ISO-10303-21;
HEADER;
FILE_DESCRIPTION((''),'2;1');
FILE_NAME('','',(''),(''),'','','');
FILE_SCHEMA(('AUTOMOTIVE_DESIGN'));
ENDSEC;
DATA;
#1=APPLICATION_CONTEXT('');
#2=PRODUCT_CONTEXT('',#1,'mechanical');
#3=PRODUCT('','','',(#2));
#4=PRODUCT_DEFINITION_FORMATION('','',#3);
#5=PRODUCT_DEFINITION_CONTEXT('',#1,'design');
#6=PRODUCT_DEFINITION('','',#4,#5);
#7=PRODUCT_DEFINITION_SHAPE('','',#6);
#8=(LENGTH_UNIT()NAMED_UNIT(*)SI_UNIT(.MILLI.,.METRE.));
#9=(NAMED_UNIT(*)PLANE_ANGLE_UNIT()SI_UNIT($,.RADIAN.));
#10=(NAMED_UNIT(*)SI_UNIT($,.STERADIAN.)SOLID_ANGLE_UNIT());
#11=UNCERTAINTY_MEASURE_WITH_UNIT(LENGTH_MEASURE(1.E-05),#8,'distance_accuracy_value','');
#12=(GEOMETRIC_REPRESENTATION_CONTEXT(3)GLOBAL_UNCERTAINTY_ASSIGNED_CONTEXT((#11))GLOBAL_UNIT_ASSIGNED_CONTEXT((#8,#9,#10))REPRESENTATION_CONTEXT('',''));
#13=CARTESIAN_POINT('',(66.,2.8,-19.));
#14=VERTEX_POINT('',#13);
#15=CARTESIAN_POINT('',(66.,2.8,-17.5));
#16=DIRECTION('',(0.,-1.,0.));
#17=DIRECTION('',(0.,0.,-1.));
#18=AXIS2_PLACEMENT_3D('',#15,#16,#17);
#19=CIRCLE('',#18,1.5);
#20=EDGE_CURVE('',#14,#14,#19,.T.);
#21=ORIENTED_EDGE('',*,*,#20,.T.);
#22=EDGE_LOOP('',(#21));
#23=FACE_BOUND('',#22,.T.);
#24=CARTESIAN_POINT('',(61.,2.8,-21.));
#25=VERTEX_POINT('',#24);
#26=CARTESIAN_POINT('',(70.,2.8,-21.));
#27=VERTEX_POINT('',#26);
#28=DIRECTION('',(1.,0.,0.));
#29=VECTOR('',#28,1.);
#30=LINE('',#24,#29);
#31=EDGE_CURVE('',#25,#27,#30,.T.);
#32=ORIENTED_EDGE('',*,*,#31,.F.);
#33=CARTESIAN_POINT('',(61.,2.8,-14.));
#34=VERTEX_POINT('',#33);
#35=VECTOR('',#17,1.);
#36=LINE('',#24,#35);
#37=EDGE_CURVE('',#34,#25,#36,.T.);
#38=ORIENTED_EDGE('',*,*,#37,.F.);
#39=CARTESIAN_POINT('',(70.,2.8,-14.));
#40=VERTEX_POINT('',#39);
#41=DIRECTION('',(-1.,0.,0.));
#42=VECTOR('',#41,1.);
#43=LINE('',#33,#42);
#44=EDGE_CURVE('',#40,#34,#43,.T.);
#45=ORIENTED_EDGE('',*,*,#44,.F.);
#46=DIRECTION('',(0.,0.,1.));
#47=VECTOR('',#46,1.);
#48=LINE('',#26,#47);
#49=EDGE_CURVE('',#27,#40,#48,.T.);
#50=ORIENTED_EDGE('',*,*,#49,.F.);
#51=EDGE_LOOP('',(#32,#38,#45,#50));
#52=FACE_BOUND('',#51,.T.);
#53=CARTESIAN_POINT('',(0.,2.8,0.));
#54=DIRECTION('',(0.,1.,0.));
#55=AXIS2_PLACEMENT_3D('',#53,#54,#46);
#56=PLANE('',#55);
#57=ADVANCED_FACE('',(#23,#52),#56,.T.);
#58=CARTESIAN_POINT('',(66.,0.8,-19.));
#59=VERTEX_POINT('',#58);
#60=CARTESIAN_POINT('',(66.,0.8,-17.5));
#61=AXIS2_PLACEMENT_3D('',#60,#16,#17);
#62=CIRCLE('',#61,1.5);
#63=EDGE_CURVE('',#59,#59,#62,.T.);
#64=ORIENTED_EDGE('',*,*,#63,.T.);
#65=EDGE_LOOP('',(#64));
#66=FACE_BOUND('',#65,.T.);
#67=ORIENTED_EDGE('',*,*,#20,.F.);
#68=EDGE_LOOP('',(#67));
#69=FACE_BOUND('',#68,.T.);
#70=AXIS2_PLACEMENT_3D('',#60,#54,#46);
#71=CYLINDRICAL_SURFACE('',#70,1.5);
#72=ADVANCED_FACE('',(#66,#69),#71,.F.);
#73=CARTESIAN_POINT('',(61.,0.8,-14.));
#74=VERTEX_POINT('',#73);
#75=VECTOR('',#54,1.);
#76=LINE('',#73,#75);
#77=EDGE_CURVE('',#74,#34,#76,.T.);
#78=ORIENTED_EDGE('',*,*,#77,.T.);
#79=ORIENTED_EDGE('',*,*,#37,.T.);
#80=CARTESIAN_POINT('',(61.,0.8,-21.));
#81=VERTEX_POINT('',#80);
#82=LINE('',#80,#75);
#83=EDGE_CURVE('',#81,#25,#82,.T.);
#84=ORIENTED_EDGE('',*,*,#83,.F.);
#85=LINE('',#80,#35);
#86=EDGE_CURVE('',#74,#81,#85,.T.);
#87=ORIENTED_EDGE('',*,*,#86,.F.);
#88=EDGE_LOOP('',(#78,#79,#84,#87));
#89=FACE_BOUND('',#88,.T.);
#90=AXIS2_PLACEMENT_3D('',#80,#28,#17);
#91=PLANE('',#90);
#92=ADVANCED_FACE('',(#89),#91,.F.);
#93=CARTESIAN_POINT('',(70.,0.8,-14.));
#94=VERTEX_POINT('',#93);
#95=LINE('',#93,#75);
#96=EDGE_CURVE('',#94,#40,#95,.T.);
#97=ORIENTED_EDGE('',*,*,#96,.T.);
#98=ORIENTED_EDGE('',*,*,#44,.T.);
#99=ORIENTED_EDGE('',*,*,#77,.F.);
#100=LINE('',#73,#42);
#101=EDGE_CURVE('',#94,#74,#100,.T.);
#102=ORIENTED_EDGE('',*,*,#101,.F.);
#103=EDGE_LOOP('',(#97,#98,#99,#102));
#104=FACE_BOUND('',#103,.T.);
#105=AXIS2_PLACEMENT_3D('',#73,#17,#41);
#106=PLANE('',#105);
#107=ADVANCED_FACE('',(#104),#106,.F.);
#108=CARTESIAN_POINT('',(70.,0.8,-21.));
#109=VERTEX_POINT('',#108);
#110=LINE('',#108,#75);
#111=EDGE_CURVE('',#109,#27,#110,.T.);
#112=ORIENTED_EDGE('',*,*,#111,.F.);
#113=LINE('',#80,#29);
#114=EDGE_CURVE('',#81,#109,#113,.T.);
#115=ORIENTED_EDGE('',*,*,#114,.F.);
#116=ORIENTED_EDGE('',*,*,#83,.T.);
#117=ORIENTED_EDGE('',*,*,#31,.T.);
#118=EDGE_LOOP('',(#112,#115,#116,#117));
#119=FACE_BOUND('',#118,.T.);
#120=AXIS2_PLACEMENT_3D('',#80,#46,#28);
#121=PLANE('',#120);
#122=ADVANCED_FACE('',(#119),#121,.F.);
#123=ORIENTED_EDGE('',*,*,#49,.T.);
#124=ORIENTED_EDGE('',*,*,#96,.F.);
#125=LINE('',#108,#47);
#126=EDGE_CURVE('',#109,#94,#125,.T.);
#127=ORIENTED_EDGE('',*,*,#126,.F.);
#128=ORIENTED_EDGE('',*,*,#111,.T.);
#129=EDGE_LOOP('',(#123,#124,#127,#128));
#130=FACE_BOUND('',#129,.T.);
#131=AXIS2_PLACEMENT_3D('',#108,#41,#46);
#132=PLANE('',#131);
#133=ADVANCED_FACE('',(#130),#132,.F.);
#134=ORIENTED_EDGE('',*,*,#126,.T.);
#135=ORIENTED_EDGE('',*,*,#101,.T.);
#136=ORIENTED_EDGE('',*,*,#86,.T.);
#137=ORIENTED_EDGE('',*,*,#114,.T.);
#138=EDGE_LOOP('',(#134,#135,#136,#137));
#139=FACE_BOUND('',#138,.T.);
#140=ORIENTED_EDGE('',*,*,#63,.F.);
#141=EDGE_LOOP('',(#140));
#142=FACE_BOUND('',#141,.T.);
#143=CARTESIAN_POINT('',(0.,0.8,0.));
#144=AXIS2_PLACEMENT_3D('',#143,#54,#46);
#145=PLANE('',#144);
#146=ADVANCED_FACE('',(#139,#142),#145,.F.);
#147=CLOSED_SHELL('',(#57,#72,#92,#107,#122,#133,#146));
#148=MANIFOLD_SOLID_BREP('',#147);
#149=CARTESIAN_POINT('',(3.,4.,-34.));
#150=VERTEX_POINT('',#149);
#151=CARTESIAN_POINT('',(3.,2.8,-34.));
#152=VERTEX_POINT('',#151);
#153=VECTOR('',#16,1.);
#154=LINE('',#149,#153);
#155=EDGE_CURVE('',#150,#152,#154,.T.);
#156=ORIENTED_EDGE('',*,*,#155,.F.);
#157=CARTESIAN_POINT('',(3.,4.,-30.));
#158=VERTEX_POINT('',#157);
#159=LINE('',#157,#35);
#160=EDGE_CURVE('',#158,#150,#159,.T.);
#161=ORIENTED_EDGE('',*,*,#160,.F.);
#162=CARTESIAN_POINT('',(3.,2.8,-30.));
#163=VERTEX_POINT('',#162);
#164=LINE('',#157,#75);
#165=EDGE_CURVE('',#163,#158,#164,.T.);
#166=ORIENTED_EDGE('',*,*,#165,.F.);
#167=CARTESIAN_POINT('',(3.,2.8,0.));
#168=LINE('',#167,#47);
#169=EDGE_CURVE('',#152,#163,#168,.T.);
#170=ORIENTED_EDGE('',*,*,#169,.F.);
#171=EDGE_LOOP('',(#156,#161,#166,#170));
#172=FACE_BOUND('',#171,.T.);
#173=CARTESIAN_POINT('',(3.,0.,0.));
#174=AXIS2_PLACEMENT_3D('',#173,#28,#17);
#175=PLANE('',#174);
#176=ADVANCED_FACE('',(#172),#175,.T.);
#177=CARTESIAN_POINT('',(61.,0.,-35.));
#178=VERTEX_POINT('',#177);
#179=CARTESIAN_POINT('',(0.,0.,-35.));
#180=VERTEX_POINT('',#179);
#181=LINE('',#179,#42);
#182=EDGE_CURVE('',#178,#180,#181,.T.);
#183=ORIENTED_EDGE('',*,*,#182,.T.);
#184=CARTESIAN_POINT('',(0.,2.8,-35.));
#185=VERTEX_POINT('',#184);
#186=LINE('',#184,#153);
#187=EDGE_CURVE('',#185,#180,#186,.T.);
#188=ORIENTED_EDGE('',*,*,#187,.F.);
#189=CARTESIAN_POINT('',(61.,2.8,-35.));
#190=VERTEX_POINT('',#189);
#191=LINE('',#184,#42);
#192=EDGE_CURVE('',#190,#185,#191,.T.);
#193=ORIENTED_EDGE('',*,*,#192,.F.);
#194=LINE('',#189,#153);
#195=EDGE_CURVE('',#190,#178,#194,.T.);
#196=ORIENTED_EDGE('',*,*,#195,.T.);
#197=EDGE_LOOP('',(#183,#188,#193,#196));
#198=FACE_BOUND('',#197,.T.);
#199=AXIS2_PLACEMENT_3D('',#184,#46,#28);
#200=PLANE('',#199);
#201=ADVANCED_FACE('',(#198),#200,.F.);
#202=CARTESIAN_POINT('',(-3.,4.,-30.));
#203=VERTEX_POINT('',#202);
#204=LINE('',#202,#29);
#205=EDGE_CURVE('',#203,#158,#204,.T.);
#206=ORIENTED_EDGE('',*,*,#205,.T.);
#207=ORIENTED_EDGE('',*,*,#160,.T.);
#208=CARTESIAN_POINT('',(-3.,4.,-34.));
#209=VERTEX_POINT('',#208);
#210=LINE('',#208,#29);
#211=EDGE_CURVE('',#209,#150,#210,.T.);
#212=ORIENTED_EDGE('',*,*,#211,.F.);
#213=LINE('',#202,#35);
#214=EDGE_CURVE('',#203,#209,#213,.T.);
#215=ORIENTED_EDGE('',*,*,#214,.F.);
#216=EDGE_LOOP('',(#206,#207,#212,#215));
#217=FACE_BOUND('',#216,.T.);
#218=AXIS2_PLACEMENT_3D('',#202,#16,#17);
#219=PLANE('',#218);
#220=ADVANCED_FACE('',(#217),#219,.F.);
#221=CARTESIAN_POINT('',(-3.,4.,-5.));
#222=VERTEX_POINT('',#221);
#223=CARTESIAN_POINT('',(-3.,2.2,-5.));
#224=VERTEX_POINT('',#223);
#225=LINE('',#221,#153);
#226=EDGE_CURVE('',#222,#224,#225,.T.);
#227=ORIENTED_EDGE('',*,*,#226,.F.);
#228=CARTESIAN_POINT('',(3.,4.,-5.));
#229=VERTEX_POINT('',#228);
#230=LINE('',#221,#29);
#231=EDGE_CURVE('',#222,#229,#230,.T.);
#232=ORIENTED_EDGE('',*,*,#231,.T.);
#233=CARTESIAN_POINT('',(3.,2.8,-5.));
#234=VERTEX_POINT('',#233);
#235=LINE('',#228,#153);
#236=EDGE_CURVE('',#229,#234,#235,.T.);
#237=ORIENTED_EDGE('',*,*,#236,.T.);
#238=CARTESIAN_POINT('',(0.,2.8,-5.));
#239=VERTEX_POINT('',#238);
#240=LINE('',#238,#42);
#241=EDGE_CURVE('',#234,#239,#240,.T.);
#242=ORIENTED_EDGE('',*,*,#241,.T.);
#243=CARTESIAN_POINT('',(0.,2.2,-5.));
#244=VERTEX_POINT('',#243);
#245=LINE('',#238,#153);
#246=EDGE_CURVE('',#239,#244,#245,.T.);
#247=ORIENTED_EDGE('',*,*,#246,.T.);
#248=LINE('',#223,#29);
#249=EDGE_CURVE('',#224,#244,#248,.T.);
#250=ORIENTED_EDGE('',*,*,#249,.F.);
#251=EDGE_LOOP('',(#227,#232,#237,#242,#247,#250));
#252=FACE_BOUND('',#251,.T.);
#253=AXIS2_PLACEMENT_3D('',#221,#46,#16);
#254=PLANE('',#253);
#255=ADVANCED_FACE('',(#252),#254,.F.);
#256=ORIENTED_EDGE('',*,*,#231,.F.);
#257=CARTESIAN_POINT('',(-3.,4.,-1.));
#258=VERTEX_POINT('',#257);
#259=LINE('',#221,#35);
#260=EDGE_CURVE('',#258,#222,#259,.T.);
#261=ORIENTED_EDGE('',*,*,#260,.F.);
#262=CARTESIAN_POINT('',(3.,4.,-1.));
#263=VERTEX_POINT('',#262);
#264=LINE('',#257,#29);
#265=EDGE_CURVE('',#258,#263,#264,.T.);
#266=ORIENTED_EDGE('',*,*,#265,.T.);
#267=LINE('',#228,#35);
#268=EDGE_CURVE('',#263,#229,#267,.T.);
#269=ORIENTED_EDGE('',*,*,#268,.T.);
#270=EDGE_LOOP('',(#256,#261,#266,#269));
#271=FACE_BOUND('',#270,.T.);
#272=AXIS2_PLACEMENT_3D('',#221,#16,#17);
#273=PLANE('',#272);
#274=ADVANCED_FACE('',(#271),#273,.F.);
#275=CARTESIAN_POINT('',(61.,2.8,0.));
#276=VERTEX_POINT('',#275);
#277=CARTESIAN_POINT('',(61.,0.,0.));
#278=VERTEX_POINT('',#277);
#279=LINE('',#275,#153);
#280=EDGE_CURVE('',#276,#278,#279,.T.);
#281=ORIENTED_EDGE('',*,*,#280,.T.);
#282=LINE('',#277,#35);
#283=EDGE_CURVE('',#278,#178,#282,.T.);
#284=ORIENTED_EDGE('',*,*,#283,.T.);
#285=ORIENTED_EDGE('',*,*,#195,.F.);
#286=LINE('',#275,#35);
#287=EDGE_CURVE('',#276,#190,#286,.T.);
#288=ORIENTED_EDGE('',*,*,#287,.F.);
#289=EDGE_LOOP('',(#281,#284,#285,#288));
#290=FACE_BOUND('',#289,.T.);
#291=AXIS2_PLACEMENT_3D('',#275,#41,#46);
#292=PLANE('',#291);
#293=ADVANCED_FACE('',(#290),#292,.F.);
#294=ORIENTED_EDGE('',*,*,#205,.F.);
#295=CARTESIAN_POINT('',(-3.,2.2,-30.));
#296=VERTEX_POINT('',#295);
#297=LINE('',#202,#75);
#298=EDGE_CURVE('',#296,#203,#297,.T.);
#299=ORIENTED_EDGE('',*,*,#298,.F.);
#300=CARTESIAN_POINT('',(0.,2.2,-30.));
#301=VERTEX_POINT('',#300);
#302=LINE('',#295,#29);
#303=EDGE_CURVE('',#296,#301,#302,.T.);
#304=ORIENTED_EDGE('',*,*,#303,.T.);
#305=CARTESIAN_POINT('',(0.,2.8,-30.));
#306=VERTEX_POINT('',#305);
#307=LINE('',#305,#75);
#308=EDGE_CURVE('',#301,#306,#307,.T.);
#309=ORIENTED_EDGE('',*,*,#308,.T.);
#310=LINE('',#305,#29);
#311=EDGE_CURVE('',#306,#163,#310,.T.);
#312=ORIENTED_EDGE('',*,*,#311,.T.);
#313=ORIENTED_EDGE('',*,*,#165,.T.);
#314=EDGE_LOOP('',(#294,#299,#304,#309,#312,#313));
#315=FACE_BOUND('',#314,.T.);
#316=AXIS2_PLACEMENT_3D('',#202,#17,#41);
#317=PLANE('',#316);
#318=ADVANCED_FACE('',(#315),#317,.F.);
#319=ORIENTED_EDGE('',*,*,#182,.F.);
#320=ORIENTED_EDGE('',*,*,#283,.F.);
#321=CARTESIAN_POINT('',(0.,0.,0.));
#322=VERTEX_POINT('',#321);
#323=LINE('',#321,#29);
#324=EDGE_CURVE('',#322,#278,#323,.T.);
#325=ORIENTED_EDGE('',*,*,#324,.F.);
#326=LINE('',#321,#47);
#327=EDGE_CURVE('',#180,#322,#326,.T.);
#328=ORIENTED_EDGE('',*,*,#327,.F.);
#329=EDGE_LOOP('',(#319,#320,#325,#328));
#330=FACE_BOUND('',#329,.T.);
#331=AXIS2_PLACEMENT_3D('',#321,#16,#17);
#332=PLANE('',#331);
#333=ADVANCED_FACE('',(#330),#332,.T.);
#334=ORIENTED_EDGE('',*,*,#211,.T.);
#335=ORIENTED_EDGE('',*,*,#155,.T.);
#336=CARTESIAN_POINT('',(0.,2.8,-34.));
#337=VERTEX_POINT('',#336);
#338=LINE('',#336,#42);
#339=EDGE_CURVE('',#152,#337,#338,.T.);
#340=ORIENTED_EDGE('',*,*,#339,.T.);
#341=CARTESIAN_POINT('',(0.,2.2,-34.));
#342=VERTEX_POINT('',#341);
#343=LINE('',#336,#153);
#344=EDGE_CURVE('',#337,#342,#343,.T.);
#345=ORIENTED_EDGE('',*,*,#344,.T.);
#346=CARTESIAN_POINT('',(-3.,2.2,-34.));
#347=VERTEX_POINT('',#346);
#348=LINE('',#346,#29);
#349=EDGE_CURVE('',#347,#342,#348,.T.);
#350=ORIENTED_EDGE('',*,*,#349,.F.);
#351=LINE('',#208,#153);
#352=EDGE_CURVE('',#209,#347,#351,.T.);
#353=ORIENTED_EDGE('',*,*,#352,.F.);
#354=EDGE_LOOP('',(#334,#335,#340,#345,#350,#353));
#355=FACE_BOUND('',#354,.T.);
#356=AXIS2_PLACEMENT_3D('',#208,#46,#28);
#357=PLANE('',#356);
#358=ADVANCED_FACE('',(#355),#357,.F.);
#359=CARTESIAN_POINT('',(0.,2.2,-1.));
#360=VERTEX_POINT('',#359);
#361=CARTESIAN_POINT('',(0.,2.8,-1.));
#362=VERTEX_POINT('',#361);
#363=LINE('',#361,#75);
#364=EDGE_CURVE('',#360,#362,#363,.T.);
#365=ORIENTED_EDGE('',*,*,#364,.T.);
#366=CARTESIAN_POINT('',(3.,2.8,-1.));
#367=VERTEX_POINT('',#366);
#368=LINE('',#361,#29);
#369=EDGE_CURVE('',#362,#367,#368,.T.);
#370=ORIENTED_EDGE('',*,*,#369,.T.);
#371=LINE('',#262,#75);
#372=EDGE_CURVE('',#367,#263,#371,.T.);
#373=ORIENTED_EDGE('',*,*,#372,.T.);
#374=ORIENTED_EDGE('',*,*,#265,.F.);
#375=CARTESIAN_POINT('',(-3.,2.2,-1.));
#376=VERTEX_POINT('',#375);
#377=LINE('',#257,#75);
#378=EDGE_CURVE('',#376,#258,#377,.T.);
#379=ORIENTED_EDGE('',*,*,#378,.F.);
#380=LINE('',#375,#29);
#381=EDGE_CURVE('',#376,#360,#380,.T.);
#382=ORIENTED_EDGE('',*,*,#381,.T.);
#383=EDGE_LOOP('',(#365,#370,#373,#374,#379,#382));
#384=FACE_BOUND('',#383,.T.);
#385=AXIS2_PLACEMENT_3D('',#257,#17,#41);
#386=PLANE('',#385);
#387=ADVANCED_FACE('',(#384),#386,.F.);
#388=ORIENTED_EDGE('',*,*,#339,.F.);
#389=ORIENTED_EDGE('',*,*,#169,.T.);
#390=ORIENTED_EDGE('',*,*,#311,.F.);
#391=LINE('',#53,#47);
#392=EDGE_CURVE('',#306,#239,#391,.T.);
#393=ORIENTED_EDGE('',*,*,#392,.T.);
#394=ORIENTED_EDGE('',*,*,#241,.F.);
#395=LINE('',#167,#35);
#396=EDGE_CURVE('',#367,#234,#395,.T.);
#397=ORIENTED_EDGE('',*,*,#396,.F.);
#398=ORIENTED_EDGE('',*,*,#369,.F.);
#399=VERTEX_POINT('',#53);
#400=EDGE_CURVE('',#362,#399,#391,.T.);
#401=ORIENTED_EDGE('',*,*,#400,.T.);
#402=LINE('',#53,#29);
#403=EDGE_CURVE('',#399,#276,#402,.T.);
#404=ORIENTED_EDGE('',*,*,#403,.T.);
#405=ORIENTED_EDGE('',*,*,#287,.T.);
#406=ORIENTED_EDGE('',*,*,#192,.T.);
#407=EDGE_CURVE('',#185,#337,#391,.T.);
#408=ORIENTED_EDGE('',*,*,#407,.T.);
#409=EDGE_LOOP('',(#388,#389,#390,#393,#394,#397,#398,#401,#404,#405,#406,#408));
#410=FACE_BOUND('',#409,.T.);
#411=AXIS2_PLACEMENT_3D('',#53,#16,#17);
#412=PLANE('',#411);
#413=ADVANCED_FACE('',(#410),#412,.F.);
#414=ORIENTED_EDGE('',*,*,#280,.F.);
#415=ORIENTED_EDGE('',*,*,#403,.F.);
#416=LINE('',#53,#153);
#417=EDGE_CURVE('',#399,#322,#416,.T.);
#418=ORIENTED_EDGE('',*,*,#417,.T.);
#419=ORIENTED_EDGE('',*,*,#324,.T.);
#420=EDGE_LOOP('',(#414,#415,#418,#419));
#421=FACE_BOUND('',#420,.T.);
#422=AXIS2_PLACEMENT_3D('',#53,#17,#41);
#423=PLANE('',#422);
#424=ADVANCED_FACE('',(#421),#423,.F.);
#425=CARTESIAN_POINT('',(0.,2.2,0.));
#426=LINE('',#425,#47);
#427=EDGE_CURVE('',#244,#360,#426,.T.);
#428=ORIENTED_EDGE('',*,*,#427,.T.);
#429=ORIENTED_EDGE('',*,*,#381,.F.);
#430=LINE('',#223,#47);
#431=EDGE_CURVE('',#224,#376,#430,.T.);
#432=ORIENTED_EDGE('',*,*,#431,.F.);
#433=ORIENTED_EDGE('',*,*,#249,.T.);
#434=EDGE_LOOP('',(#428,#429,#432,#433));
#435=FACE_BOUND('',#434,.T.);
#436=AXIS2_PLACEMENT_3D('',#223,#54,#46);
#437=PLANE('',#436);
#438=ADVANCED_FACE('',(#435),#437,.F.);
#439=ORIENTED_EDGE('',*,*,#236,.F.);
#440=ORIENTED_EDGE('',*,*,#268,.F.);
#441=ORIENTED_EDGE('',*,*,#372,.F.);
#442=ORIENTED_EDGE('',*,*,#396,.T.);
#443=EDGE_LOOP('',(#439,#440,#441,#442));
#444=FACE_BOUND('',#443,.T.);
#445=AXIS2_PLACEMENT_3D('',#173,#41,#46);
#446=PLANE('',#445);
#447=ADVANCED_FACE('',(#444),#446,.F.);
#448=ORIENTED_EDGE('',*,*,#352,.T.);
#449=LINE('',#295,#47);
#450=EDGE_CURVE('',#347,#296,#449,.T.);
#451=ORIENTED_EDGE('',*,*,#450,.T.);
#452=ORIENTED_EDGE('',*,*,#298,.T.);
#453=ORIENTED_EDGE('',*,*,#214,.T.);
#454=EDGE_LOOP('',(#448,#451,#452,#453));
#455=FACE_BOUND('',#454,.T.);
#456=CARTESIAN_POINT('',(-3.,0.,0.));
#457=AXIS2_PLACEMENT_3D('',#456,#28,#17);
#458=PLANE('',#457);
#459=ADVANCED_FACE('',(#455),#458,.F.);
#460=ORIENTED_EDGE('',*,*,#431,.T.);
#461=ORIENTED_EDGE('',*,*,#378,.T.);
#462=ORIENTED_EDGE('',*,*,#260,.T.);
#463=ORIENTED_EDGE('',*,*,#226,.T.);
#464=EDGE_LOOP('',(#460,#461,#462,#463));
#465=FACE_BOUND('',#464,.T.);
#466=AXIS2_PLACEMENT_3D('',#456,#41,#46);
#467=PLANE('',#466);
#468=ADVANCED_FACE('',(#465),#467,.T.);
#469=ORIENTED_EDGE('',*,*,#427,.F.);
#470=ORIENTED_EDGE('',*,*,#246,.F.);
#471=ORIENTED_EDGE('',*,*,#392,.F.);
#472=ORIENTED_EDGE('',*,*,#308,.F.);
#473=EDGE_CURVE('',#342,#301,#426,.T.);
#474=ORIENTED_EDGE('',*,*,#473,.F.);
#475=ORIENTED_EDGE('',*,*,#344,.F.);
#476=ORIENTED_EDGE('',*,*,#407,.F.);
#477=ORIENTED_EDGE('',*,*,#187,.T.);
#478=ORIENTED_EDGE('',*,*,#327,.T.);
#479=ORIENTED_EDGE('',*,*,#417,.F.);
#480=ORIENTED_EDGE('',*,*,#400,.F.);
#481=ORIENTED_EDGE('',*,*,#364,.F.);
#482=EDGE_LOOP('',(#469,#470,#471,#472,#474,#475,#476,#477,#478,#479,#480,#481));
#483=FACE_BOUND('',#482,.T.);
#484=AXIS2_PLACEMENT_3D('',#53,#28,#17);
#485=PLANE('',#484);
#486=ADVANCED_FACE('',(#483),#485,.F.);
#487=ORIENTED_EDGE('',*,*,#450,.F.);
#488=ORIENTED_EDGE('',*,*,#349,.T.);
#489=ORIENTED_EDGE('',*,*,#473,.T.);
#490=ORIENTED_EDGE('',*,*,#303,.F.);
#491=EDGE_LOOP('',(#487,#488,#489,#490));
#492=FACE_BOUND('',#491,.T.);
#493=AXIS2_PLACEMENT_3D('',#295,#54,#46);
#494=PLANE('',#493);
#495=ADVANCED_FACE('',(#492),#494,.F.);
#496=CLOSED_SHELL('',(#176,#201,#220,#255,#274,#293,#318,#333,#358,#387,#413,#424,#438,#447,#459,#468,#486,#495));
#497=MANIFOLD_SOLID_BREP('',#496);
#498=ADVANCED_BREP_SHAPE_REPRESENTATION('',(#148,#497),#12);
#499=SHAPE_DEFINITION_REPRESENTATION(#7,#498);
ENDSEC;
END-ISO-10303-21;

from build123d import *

# Parameters (mm, degrees)
SKETCH_1_W      = 61
SKETCH_1_H      = 35
EXTRUDE_1_DEPTH = 2.8
SKETCH_2_W      = 9
SKETCH_2_H      = 7
SKETCH_2_R      = 1.5
EXTRUDE_2_DEPTH = 2
SKETCH_3_W      = 4
SKETCH_3_H      = 1.8
EXTRUDE_3_DEPTH = 3


with BuildPart() as part:
    # 草图1 → 凸台-拉伸1 (new body)
    with BuildSketch(Plane(origin=(0, 0, 0), x_dir=(1, 0, 0), z_dir=(0, 1, 0))):
        with Locations((30.5, 17.5)):
            Rectangle(SKETCH_1_W, SKETCH_1_H)
    extrude(amount=EXTRUDE_1_DEPTH)

    # 草图3 → 凸台-拉伸3 (add, symmetric)
    with BuildSketch(Plane.ZY):
        with Locations((-3, 3.1)):
            Rectangle(SKETCH_3_W, SKETCH_3_H)
        with Locations((-32, 3.1)):
            Rectangle(SKETCH_3_W, SKETCH_3_H)
    extrude(amount=EXTRUDE_3_DEPTH, both=True)


with BuildPart() as body_2:
    # 草图2 → 凸台-拉伸2 (new body)
    with BuildSketch(Plane.XZ.offset(-2.8)):
        with Locations((65.5, -17.5)):
            Rectangle(SKETCH_2_W, SKETCH_2_H)
        with Locations((66, -17.5)):
            Circle(SKETCH_2_R, mode=Mode.SUBTRACT)
    extrude(amount=EXTRUDE_2_DEPTH)


solid = Compound([part.part, body_2.part])
